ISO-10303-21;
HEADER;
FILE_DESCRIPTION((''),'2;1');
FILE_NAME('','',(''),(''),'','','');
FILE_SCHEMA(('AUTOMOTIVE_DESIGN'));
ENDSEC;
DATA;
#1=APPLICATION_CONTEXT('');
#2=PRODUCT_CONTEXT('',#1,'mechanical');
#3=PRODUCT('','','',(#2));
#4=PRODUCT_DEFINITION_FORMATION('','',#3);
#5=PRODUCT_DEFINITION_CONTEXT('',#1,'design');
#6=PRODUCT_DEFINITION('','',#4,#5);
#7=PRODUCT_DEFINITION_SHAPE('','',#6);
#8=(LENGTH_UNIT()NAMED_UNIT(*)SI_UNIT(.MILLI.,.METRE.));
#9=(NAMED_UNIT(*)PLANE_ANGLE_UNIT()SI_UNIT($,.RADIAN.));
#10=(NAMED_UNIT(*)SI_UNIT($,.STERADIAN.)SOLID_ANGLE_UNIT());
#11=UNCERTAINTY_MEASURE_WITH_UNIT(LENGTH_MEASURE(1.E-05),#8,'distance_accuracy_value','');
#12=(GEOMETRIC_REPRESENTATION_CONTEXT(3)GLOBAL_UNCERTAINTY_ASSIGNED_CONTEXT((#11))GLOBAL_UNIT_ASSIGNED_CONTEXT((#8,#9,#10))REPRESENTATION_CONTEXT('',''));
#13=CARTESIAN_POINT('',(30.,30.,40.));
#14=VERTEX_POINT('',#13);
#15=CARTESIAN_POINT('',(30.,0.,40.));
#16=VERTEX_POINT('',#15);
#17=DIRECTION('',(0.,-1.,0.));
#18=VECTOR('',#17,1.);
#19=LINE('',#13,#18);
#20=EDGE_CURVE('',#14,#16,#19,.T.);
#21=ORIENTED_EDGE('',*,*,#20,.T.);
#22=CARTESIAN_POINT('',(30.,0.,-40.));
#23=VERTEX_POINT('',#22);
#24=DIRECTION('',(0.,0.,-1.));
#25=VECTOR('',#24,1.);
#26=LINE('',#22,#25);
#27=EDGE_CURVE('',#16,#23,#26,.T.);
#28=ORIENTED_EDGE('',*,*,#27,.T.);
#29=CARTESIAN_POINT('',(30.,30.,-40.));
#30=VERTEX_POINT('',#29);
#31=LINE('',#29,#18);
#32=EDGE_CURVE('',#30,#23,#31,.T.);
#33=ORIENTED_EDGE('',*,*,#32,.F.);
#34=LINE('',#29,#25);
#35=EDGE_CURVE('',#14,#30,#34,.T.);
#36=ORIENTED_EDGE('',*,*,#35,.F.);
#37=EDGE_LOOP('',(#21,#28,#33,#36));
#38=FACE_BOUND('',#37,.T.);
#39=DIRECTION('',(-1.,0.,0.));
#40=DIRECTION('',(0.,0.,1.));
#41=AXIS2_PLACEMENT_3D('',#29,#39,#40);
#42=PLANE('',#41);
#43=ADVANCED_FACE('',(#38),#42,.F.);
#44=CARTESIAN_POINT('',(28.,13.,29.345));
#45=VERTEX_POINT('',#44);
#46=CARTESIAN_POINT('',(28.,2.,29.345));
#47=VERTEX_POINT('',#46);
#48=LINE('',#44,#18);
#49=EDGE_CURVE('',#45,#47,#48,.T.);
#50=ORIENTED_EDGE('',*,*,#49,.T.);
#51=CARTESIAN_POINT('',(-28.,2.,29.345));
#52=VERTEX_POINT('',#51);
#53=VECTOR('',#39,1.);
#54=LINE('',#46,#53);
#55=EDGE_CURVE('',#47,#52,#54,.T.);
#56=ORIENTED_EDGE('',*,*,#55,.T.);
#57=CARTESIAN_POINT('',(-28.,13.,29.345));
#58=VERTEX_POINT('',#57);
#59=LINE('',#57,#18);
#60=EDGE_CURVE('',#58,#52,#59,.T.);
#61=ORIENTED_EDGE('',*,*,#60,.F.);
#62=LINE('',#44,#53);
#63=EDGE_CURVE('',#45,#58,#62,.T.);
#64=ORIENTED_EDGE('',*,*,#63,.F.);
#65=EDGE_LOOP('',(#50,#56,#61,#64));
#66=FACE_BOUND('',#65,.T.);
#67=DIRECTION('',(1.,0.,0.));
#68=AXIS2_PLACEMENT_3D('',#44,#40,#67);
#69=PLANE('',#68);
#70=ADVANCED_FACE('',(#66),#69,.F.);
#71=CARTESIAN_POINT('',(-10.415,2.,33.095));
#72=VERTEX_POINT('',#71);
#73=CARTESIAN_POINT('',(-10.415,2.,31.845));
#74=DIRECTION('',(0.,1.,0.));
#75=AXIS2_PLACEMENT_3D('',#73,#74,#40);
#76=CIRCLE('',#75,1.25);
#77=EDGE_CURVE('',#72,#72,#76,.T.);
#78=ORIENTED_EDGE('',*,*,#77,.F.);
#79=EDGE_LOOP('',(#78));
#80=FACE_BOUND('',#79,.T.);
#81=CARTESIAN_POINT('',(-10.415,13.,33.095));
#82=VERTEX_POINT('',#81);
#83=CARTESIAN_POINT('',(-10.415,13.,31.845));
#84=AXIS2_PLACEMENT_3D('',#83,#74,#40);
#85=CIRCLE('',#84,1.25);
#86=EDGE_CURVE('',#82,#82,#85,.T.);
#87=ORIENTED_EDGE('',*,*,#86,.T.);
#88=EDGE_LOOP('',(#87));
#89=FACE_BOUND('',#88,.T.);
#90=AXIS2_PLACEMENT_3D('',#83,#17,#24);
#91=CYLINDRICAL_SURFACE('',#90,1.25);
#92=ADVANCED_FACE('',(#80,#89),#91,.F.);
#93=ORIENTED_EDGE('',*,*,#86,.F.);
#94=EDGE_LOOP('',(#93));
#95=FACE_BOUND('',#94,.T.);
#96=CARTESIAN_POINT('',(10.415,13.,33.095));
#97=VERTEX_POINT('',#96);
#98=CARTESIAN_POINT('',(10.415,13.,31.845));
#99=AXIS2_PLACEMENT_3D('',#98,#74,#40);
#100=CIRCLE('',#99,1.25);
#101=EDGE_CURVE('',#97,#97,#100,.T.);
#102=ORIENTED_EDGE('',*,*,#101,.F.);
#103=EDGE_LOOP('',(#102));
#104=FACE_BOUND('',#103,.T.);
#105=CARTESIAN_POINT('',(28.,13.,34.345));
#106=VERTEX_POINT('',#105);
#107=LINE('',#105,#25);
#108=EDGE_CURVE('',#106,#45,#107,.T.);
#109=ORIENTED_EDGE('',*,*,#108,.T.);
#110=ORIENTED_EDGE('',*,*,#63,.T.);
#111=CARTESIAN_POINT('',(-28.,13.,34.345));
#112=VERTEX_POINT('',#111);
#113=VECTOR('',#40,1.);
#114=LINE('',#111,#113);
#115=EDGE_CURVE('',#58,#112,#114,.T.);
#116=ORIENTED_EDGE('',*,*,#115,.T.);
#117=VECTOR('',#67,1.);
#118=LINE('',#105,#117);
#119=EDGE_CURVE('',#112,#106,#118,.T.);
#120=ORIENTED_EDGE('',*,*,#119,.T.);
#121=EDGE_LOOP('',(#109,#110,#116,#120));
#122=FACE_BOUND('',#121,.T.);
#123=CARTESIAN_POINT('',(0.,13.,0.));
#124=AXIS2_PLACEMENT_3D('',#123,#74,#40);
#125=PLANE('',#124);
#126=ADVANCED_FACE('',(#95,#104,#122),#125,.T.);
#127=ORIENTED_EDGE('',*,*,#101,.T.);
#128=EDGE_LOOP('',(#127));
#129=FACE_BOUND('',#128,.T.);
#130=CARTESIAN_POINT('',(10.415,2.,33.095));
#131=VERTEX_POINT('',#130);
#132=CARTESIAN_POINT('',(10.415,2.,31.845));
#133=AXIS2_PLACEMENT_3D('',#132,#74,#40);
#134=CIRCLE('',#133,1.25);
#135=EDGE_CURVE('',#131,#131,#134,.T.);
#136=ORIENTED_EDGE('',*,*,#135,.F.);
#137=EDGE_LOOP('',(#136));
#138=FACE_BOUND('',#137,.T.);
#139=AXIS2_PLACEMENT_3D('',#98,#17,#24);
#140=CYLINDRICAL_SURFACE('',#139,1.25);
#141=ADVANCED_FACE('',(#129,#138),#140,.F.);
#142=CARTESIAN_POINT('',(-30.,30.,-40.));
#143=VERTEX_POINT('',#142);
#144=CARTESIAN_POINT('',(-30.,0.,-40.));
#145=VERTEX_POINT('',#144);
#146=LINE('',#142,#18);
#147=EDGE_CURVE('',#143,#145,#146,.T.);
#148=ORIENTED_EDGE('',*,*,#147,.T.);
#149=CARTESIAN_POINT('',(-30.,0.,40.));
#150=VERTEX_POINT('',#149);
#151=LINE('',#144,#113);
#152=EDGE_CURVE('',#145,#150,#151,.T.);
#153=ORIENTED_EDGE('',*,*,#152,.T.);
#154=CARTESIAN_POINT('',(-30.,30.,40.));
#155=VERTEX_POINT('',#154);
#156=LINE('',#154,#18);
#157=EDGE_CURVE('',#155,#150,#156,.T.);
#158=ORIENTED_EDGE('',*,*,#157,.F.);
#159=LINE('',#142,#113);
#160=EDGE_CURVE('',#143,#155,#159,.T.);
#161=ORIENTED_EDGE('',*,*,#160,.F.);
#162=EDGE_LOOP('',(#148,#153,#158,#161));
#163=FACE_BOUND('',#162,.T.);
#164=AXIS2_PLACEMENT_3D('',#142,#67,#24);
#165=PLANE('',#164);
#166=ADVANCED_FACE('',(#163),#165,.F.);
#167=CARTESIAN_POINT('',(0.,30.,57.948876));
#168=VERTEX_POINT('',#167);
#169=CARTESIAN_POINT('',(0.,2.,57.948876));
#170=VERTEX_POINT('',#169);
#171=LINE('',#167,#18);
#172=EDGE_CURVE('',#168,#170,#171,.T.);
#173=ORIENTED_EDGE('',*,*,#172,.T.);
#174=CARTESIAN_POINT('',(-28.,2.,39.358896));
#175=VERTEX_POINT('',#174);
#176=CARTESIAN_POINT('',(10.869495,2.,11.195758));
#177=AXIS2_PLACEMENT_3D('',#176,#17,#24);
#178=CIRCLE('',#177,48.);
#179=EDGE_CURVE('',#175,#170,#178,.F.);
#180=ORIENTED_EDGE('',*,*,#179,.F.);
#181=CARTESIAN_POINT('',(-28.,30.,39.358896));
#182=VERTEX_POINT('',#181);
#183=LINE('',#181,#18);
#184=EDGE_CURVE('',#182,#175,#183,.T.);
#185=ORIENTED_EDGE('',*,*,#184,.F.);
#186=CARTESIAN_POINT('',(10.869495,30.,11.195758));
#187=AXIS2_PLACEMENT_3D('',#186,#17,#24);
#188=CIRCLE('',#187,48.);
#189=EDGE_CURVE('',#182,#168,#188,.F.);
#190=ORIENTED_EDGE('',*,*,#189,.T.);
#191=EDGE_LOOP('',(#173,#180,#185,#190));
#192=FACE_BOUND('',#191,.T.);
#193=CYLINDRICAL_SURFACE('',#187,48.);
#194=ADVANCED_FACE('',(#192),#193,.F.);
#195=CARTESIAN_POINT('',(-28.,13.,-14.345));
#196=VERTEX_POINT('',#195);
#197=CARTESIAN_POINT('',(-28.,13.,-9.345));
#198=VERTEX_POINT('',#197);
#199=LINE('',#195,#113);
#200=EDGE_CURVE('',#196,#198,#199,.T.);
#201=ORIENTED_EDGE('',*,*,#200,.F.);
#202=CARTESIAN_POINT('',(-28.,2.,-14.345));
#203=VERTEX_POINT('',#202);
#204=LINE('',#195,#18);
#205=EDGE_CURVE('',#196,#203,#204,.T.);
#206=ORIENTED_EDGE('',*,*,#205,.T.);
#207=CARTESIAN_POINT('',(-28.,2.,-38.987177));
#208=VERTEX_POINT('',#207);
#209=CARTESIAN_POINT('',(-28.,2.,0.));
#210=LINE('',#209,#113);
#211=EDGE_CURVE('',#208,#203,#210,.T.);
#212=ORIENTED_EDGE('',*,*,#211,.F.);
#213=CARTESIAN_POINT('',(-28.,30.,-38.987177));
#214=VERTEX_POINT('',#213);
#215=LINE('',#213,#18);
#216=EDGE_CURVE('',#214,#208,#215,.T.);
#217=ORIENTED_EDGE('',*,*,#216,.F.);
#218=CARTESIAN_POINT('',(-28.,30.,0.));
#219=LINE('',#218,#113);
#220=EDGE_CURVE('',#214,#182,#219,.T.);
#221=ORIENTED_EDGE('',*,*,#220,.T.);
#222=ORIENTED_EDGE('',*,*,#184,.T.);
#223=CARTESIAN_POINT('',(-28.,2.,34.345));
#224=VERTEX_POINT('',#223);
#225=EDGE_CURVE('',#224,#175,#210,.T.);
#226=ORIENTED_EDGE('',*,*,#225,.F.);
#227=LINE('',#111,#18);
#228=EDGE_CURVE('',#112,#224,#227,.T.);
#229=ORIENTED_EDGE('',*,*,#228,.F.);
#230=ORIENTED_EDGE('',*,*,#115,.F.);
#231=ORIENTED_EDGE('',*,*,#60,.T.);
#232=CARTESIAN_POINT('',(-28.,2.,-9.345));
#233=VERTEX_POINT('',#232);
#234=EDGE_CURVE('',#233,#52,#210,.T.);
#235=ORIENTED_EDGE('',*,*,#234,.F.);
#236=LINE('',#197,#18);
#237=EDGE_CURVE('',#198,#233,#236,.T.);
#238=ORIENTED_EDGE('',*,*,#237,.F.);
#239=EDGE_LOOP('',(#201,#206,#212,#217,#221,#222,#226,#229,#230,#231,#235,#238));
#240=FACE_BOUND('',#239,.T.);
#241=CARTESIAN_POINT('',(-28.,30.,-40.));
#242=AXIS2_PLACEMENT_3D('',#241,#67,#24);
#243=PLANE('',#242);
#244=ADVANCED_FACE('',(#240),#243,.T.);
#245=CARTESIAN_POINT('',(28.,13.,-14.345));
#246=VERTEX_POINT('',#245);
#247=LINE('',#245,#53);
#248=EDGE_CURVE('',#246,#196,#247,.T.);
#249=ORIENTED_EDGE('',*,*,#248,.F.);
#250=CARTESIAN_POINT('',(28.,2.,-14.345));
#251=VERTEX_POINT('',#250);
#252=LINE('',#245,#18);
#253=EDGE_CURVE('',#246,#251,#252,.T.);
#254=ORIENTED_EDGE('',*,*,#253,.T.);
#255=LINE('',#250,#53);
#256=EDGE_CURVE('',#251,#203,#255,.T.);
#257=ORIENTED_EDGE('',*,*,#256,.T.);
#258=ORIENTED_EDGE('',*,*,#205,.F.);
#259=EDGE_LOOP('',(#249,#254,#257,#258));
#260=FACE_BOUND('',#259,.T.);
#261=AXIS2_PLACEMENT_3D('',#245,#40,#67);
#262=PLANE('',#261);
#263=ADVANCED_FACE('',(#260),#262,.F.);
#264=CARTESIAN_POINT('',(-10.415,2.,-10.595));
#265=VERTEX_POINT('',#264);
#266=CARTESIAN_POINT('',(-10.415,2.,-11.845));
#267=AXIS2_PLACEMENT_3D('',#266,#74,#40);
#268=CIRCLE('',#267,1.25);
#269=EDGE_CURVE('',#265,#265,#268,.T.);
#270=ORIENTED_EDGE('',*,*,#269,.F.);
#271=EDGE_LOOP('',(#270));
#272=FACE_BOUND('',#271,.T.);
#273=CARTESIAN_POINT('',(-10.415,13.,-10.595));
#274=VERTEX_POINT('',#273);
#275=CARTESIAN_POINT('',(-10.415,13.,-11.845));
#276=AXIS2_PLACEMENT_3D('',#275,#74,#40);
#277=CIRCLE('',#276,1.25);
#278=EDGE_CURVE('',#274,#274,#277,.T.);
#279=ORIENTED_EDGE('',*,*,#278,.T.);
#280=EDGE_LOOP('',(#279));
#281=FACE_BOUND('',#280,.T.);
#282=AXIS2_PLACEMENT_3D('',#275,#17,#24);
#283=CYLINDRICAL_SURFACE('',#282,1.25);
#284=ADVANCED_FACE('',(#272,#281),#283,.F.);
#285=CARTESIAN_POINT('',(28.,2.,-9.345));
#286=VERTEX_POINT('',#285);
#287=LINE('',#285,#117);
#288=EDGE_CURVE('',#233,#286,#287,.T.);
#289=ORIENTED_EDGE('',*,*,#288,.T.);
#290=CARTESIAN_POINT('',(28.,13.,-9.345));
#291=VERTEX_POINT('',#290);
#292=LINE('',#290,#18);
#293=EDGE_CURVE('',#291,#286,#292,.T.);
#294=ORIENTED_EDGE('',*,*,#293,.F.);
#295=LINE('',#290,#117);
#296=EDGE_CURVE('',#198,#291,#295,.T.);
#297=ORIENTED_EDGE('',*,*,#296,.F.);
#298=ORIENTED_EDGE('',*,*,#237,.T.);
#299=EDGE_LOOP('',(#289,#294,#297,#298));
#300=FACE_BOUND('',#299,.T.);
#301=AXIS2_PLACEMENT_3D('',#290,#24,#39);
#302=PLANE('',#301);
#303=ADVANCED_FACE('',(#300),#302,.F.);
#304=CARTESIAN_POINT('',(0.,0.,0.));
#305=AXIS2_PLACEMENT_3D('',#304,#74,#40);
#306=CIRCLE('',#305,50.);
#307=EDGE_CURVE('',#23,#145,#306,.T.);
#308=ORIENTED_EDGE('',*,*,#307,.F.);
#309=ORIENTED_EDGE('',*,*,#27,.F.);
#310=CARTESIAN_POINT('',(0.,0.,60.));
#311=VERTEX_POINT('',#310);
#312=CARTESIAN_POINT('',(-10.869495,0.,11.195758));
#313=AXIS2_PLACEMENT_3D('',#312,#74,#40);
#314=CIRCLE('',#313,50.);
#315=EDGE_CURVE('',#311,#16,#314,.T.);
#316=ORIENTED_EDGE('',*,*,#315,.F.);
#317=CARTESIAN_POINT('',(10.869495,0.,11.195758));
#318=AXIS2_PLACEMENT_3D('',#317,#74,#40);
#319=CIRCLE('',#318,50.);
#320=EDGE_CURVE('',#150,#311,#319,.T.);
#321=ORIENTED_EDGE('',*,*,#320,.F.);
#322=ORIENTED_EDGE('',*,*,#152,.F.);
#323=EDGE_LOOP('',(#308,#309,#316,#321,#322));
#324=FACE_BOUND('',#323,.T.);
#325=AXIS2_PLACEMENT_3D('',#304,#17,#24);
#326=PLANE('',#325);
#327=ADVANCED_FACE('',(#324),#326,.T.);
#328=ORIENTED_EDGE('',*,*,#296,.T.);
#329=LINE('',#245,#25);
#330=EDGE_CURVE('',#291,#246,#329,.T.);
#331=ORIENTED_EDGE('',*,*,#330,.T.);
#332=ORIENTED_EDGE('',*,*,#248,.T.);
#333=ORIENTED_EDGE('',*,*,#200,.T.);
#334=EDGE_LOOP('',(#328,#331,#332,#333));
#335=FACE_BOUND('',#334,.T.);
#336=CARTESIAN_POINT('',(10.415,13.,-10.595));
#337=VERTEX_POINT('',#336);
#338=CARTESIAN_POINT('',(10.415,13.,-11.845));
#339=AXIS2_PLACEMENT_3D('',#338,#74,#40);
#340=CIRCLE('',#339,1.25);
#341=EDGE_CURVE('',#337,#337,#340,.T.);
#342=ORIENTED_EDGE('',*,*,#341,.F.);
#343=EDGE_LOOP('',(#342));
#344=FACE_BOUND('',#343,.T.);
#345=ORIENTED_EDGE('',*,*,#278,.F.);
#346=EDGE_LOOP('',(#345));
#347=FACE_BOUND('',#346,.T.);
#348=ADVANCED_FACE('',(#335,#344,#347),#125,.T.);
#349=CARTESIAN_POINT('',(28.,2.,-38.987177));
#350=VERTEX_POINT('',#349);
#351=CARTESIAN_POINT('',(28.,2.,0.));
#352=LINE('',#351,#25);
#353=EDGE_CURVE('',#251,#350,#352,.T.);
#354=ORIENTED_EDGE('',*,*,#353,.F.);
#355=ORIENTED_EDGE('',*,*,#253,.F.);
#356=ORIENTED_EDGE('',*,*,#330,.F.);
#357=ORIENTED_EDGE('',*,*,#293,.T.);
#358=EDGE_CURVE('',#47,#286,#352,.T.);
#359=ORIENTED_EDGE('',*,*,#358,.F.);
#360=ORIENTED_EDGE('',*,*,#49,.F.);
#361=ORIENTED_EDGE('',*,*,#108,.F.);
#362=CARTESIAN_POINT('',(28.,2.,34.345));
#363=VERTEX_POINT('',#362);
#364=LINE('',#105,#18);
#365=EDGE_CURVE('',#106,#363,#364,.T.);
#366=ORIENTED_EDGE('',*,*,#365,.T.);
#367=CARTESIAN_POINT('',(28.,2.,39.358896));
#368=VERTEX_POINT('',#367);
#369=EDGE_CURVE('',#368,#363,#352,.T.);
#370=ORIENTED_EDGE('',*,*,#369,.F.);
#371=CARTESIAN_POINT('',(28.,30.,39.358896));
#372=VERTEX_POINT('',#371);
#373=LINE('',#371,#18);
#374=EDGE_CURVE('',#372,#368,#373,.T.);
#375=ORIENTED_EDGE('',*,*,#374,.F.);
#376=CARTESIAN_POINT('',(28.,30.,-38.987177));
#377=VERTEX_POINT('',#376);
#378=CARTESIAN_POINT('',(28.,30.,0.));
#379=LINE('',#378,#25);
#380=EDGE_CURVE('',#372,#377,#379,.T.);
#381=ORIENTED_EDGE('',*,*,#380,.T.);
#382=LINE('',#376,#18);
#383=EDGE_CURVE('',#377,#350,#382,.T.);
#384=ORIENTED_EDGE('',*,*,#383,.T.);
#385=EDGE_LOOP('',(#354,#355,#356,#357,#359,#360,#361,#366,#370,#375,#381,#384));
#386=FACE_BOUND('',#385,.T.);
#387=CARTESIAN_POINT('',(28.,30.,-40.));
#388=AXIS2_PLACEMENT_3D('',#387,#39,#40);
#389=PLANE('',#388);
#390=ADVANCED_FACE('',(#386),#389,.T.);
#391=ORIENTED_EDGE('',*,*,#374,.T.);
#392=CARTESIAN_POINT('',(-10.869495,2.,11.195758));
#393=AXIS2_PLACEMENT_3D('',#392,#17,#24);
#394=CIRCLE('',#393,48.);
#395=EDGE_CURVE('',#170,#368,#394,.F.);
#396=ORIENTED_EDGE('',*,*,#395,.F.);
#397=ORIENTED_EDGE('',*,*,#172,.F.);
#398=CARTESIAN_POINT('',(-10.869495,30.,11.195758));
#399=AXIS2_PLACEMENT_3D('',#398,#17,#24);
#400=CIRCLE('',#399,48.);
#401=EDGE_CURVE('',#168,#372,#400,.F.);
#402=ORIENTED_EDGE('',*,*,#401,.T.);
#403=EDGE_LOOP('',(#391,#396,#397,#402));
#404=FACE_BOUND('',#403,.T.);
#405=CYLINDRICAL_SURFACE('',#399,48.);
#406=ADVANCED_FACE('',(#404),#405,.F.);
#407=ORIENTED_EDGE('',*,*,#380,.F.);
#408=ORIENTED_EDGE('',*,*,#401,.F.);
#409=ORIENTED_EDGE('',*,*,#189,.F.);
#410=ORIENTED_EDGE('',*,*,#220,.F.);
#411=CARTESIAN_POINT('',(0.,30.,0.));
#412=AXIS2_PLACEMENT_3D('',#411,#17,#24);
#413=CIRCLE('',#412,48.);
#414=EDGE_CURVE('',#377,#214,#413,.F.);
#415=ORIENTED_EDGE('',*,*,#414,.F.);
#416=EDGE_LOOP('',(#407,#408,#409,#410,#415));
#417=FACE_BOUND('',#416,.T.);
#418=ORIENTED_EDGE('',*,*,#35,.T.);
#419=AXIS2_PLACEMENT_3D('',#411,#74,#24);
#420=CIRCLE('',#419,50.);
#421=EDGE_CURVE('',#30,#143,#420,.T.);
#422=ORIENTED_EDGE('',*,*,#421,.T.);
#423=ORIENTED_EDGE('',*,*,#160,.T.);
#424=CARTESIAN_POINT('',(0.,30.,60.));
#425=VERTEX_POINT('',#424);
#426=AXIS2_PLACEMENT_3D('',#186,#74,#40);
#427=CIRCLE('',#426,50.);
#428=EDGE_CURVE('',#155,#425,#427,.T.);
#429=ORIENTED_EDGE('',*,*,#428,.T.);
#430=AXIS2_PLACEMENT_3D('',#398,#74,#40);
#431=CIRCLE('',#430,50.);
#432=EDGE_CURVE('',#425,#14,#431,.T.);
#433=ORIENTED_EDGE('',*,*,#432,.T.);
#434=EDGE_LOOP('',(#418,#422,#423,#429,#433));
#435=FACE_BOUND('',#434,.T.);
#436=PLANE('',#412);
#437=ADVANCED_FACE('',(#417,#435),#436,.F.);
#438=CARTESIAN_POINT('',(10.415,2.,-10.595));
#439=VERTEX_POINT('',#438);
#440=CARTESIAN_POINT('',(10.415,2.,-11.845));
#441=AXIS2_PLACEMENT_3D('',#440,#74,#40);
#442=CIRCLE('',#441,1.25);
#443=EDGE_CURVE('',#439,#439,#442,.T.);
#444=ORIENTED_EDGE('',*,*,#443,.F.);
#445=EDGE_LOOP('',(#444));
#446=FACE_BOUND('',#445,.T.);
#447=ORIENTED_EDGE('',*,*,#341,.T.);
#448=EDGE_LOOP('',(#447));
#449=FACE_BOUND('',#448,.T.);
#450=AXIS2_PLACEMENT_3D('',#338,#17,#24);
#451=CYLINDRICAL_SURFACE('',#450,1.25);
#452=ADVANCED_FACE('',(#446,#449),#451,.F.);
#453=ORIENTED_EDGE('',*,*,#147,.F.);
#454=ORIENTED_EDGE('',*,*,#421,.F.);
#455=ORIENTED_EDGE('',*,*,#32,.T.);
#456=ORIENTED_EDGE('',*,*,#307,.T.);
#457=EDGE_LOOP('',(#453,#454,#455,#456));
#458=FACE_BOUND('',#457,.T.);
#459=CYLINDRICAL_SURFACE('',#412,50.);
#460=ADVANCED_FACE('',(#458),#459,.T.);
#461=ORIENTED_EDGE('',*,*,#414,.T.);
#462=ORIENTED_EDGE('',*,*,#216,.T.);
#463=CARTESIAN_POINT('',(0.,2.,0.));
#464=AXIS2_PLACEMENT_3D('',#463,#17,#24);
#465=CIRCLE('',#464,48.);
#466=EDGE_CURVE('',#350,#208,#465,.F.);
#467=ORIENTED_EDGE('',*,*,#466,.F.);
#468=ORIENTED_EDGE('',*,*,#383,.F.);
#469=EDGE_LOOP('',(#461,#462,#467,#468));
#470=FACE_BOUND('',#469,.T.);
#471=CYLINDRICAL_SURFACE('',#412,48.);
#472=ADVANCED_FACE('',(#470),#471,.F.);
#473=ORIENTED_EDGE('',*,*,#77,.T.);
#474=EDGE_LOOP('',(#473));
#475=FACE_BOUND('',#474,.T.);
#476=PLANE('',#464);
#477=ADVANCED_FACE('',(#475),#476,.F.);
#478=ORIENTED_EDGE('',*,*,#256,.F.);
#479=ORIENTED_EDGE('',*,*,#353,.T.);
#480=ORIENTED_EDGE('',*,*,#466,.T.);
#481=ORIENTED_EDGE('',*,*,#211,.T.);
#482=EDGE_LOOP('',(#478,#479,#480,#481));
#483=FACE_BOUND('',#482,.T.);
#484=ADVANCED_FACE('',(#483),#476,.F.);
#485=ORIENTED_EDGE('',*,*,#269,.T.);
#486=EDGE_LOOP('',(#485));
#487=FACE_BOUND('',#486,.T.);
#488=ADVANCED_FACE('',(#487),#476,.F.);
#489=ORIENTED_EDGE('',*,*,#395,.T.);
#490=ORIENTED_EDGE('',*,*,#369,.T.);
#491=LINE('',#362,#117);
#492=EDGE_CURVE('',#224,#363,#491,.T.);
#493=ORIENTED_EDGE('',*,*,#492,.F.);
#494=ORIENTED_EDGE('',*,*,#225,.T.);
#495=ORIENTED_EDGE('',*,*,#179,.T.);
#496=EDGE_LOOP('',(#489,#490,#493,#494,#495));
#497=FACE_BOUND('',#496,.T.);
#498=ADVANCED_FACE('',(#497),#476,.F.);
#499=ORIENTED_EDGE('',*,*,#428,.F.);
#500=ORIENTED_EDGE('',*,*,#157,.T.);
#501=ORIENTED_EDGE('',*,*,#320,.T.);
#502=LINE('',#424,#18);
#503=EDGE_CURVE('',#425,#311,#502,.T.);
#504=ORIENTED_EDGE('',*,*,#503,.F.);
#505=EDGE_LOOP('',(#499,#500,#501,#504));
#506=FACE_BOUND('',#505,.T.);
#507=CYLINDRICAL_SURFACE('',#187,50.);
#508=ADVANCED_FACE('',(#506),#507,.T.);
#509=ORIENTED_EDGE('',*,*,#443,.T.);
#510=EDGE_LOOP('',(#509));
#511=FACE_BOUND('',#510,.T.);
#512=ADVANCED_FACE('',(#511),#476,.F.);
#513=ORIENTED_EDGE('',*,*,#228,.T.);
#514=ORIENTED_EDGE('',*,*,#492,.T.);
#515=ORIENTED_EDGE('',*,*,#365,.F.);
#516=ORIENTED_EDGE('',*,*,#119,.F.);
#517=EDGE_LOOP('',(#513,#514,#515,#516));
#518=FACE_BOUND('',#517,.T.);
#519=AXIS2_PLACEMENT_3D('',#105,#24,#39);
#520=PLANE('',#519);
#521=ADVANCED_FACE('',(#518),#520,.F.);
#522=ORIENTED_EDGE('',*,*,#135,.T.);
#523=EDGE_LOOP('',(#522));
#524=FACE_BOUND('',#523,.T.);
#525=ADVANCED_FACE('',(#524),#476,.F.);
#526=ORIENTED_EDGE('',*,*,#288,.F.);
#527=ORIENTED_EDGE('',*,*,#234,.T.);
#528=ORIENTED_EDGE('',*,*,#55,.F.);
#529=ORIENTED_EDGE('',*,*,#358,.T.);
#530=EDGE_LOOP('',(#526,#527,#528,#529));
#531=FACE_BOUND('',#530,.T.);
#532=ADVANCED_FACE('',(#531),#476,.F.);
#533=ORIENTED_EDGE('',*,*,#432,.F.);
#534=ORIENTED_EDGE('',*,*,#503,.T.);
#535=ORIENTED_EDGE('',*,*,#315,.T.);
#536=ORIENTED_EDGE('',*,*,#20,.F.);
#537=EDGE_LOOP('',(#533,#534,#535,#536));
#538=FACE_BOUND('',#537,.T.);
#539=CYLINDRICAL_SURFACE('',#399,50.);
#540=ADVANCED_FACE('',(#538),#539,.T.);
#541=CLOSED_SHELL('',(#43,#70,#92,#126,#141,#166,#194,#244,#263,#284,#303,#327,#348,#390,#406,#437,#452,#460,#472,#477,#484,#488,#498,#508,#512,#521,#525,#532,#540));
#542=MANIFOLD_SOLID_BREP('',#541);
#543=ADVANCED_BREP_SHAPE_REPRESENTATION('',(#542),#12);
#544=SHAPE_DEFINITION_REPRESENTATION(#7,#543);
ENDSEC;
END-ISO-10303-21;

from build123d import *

# Parameters (mm, degrees)
SALIENTE_EXTRUIR1_DEPTH = 30
VACIADO1_T              = -2
CROQUIS2_W              = 56
CROQUIS2_H              = 5
CROQUIS2_R              = 1.25
SALIENTE_EXTRUIR2_DEPTH = 11


with BuildPart() as part:
    # Croquis1 → Saliente-Extruir1 (new body)
    with BuildSketch(Plane(origin=(0, 0, 0), x_dir=(1, 0, 0), z_dir=(0, 1, 0))):
        with BuildLine():
            Line((-30, 40), (-30, -40))
            ThreePointArc((-30, -40), (-16.865514856, -52.798272284), (0, -60))
            ThreePointArc((0, -60), (16.865514856, -52.798272284), (30, -40))
            Line((30, -40), (30, 40))
            ThreePointArc((30, 40), (15.811388301, 47.434164903), (0, 50))
            ThreePointArc((0, 50), (-15.811388301, 47.434164903), (-30, 40))
        make_face()
    extrude(amount=SALIENTE_EXTRUIR1_DEPTH)

    # Vaciado1
    vaciado1_openings = [part.faces().sort_by_distance(p)[0] for p in [
        (0, 30, 3.068322719),
    ]]
    offset(amount=VACIADO1_T, openings=vaciado1_openings, kind=Kind.INTERSECTION)

    # Croquis2 → Saliente-Extruir2 (add)
    # profile 1 of 2: a face of its own
    with BuildSketch(Plane(origin=(0, 2, 0), x_dir=(1, 0, 0), z_dir=(0, 1, 0))):
        with Locations((0, -31.845)):
            Rectangle(CROQUIS2_W, CROQUIS2_H)
        with Locations(Location((-10.415, -31.845, 0), (0, 0, 270))):
            Circle(CROQUIS2_R, mode=Mode.SUBTRACT)
        with Locations(Location((10.415, -31.845, 0), (0, 0, 270))):
            Circle(CROQUIS2_R, mode=Mode.SUBTRACT)
    # profile 2 of 2: a face of its own
    with BuildSketch(Plane(origin=(0, 2, 0), x_dir=(1, 0, 0), z_dir=(0, 1, 0))):
        with Locations((0, 11.845)):
            Rectangle(CROQUIS2_W, CROQUIS2_H)
        with Locations(Location((-10.415, 11.845, 0), (0, 0, 270))):
            Circle(CROQUIS2_R, mode=Mode.SUBTRACT)
        with Locations(Location((10.415, 11.845, 0), (0, 0, 270))):
            Circle(CROQUIS2_R, mode=Mode.SUBTRACT)
    extrude(amount=SALIENTE_EXTRUIR2_DEPTH)


solid = part.part
